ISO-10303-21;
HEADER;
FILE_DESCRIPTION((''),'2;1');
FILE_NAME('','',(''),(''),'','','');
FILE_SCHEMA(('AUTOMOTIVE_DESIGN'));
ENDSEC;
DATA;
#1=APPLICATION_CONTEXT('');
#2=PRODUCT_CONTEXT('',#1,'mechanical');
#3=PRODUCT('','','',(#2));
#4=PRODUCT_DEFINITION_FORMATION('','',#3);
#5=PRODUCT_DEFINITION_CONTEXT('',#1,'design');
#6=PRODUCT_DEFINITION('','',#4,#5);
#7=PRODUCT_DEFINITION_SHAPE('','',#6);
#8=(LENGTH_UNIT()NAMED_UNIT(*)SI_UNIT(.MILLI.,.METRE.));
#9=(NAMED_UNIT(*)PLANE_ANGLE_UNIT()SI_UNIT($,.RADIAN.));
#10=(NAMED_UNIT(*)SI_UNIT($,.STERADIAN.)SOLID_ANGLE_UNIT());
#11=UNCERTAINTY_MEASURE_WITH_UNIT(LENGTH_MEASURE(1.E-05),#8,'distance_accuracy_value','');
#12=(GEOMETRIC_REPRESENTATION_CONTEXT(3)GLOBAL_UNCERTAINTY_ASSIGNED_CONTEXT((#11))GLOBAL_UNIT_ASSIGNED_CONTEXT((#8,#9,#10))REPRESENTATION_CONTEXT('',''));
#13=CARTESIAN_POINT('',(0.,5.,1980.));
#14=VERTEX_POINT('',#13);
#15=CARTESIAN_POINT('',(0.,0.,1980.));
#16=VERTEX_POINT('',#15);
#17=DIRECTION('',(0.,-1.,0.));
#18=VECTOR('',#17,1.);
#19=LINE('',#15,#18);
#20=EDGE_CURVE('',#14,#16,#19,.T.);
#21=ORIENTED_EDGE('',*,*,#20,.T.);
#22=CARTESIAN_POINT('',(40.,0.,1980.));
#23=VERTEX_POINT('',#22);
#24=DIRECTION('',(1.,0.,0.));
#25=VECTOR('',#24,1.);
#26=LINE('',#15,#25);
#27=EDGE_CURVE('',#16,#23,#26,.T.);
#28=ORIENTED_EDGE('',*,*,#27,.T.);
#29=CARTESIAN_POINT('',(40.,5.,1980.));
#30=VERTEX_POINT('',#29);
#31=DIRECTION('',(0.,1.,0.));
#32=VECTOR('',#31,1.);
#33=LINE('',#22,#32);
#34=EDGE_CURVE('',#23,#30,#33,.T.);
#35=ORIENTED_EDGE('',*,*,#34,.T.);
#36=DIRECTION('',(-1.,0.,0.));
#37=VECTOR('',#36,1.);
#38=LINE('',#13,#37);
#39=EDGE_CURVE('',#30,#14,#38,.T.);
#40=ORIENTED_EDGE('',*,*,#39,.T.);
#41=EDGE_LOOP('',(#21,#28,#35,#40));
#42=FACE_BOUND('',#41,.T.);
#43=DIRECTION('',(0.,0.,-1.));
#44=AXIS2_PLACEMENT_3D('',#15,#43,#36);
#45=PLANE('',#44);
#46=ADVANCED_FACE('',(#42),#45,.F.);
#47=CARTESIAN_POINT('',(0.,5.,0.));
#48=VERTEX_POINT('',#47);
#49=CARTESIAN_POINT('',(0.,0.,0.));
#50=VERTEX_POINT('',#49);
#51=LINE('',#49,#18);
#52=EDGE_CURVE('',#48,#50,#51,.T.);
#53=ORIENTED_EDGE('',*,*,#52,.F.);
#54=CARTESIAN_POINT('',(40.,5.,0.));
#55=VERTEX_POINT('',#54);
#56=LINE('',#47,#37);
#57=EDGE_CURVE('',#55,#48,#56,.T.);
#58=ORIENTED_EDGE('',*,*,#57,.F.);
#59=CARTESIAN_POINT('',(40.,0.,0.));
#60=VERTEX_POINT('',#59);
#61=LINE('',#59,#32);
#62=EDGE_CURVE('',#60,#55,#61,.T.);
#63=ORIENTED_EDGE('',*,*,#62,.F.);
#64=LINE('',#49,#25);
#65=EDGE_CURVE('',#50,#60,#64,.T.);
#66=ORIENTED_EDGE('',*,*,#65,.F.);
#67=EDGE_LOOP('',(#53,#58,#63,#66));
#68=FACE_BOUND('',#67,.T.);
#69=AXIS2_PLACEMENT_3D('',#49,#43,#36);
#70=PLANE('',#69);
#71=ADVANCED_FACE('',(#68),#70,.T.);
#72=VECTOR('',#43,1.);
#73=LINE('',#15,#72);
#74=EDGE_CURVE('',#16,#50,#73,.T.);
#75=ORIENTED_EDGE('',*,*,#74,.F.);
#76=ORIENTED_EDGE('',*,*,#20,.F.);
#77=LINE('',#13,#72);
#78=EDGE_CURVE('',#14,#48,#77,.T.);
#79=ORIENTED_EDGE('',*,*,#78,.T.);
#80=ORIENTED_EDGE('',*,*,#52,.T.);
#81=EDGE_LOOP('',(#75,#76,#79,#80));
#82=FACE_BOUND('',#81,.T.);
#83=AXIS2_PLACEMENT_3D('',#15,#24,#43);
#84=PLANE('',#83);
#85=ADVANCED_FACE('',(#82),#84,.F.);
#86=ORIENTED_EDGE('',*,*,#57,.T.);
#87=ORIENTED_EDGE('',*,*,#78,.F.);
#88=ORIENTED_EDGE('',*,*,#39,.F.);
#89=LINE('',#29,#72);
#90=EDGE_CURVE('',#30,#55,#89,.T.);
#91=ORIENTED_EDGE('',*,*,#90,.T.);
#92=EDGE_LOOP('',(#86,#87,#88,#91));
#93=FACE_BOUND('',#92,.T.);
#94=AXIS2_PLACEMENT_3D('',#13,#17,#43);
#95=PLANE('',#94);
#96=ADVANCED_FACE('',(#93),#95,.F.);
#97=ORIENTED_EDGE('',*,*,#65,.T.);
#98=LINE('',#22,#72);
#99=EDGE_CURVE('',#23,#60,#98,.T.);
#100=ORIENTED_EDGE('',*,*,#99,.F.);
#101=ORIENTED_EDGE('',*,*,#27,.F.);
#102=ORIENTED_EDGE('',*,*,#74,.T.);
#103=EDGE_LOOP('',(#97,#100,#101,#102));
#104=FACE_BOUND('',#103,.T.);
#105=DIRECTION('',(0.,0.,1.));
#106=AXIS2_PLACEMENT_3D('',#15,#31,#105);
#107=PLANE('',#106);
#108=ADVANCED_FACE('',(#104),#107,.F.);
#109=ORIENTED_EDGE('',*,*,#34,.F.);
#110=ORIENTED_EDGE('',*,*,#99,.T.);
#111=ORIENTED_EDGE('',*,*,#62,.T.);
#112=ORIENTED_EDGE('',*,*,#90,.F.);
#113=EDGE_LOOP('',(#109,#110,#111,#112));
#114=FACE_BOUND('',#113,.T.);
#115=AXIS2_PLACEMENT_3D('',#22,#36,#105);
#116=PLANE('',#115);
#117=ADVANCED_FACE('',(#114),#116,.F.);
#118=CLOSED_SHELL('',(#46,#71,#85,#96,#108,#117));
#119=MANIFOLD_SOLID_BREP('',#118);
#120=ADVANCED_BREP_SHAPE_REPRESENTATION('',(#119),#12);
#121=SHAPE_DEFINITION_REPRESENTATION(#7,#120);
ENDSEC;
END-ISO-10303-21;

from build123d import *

# Parameters (mm, degrees)
ESQUISSE1_W        = 40
ESQUISSE1_H        = 5
BOSS_EXTRU_1_DEPTH = 1980


with BuildPart() as part:
    # Esquisse1 → Boss.-Extru.1 (new body)
    with BuildSketch(Plane.XY):
        with Locations((20, 2.5)):
            Rectangle(ESQUISSE1_W, ESQUISSE1_H)
    extrude(amount=BOSS_EXTRU_1_DEPTH)


solid = part.part
